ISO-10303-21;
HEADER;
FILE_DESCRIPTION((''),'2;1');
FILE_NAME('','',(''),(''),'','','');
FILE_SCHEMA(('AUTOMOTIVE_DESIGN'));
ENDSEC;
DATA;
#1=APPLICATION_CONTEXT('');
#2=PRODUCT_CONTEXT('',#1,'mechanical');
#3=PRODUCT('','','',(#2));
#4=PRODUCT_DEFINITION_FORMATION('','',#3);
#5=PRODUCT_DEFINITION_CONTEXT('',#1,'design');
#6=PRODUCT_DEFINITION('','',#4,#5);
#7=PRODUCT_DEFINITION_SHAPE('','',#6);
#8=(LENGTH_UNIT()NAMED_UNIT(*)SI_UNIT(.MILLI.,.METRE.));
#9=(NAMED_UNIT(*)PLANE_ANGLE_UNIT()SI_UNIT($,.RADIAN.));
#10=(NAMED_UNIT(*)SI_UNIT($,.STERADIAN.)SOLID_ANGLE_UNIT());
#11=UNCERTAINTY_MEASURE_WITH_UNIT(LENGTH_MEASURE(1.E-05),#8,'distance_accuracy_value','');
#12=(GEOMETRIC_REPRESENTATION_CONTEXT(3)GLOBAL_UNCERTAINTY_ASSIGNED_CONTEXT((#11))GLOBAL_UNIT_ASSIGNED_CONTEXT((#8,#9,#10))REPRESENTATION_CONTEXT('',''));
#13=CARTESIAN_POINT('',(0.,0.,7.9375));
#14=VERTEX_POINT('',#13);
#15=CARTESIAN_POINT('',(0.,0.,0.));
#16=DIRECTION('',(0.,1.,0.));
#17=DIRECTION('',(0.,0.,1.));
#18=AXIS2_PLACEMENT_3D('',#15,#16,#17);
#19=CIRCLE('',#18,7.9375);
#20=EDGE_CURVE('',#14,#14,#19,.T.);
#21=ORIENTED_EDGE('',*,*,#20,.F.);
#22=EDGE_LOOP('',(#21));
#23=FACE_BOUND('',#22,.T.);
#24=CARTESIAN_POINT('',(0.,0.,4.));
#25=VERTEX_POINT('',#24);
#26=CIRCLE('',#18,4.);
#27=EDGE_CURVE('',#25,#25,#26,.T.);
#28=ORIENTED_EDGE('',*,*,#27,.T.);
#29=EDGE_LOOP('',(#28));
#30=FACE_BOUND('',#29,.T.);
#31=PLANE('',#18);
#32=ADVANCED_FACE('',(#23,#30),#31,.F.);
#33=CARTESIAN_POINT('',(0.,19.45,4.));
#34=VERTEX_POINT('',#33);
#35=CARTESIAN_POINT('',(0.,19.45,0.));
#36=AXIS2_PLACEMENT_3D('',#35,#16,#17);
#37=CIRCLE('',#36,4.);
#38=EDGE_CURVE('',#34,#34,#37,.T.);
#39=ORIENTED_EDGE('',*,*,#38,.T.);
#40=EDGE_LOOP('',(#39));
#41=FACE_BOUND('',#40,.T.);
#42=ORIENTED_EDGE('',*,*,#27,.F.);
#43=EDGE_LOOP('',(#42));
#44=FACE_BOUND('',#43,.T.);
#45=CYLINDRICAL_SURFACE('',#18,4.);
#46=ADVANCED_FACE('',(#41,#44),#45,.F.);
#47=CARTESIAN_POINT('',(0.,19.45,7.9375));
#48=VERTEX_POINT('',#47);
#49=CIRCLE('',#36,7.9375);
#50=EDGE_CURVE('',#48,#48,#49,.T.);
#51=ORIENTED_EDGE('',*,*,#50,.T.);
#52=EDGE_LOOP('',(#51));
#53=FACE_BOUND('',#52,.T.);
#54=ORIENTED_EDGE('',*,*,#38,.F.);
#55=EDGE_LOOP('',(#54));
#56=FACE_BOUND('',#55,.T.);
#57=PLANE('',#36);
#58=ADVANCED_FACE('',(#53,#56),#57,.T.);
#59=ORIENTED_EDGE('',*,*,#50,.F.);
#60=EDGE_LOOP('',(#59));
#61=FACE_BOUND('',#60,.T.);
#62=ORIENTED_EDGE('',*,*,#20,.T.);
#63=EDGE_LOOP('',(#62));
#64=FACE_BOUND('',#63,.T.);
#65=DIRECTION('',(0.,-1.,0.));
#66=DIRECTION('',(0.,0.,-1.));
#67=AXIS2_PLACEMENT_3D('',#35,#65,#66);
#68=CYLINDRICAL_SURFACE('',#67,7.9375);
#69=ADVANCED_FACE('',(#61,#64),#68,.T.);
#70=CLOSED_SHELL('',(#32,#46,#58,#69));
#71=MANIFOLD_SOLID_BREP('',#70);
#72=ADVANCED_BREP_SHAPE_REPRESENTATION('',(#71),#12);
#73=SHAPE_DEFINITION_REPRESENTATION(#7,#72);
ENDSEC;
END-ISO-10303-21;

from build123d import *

# Parameters (mm, degrees)
SKETCH1_R           = 7.9375
BOSS_EXTRUDE1_DEPTH = 19.45
SKETCH3_R           = 4
CUT_EXTRUDE2_DEPTH  = 23.456854466


with BuildPart() as part:
    # Sketch1 → Boss-Extrude1 (new body)
    with BuildSketch(Plane(origin=(0, 0, 0), x_dir=(1, 0, 0), z_dir=(0, 1, 0))):
        with Locations(Location((0, 0, 0), (0, 0, 270))):
            Circle(SKETCH1_R)
    extrude(amount=BOSS_EXTRUDE1_DEPTH)

    # Sketch3 → Cut-Extrude2 (cut, through all)
    with BuildSketch(Plane(origin=(0, 19.45, 0), x_dir=(1, 0, 0), z_dir=(0, 1, 0))):
        with Locations(Location((0, 0, 0), (0, 0, 270))):
            Circle(SKETCH3_R)
    extrude(amount=-CUT_EXTRUDE2_DEPTH, mode=Mode.SUBTRACT)


solid = part.part
